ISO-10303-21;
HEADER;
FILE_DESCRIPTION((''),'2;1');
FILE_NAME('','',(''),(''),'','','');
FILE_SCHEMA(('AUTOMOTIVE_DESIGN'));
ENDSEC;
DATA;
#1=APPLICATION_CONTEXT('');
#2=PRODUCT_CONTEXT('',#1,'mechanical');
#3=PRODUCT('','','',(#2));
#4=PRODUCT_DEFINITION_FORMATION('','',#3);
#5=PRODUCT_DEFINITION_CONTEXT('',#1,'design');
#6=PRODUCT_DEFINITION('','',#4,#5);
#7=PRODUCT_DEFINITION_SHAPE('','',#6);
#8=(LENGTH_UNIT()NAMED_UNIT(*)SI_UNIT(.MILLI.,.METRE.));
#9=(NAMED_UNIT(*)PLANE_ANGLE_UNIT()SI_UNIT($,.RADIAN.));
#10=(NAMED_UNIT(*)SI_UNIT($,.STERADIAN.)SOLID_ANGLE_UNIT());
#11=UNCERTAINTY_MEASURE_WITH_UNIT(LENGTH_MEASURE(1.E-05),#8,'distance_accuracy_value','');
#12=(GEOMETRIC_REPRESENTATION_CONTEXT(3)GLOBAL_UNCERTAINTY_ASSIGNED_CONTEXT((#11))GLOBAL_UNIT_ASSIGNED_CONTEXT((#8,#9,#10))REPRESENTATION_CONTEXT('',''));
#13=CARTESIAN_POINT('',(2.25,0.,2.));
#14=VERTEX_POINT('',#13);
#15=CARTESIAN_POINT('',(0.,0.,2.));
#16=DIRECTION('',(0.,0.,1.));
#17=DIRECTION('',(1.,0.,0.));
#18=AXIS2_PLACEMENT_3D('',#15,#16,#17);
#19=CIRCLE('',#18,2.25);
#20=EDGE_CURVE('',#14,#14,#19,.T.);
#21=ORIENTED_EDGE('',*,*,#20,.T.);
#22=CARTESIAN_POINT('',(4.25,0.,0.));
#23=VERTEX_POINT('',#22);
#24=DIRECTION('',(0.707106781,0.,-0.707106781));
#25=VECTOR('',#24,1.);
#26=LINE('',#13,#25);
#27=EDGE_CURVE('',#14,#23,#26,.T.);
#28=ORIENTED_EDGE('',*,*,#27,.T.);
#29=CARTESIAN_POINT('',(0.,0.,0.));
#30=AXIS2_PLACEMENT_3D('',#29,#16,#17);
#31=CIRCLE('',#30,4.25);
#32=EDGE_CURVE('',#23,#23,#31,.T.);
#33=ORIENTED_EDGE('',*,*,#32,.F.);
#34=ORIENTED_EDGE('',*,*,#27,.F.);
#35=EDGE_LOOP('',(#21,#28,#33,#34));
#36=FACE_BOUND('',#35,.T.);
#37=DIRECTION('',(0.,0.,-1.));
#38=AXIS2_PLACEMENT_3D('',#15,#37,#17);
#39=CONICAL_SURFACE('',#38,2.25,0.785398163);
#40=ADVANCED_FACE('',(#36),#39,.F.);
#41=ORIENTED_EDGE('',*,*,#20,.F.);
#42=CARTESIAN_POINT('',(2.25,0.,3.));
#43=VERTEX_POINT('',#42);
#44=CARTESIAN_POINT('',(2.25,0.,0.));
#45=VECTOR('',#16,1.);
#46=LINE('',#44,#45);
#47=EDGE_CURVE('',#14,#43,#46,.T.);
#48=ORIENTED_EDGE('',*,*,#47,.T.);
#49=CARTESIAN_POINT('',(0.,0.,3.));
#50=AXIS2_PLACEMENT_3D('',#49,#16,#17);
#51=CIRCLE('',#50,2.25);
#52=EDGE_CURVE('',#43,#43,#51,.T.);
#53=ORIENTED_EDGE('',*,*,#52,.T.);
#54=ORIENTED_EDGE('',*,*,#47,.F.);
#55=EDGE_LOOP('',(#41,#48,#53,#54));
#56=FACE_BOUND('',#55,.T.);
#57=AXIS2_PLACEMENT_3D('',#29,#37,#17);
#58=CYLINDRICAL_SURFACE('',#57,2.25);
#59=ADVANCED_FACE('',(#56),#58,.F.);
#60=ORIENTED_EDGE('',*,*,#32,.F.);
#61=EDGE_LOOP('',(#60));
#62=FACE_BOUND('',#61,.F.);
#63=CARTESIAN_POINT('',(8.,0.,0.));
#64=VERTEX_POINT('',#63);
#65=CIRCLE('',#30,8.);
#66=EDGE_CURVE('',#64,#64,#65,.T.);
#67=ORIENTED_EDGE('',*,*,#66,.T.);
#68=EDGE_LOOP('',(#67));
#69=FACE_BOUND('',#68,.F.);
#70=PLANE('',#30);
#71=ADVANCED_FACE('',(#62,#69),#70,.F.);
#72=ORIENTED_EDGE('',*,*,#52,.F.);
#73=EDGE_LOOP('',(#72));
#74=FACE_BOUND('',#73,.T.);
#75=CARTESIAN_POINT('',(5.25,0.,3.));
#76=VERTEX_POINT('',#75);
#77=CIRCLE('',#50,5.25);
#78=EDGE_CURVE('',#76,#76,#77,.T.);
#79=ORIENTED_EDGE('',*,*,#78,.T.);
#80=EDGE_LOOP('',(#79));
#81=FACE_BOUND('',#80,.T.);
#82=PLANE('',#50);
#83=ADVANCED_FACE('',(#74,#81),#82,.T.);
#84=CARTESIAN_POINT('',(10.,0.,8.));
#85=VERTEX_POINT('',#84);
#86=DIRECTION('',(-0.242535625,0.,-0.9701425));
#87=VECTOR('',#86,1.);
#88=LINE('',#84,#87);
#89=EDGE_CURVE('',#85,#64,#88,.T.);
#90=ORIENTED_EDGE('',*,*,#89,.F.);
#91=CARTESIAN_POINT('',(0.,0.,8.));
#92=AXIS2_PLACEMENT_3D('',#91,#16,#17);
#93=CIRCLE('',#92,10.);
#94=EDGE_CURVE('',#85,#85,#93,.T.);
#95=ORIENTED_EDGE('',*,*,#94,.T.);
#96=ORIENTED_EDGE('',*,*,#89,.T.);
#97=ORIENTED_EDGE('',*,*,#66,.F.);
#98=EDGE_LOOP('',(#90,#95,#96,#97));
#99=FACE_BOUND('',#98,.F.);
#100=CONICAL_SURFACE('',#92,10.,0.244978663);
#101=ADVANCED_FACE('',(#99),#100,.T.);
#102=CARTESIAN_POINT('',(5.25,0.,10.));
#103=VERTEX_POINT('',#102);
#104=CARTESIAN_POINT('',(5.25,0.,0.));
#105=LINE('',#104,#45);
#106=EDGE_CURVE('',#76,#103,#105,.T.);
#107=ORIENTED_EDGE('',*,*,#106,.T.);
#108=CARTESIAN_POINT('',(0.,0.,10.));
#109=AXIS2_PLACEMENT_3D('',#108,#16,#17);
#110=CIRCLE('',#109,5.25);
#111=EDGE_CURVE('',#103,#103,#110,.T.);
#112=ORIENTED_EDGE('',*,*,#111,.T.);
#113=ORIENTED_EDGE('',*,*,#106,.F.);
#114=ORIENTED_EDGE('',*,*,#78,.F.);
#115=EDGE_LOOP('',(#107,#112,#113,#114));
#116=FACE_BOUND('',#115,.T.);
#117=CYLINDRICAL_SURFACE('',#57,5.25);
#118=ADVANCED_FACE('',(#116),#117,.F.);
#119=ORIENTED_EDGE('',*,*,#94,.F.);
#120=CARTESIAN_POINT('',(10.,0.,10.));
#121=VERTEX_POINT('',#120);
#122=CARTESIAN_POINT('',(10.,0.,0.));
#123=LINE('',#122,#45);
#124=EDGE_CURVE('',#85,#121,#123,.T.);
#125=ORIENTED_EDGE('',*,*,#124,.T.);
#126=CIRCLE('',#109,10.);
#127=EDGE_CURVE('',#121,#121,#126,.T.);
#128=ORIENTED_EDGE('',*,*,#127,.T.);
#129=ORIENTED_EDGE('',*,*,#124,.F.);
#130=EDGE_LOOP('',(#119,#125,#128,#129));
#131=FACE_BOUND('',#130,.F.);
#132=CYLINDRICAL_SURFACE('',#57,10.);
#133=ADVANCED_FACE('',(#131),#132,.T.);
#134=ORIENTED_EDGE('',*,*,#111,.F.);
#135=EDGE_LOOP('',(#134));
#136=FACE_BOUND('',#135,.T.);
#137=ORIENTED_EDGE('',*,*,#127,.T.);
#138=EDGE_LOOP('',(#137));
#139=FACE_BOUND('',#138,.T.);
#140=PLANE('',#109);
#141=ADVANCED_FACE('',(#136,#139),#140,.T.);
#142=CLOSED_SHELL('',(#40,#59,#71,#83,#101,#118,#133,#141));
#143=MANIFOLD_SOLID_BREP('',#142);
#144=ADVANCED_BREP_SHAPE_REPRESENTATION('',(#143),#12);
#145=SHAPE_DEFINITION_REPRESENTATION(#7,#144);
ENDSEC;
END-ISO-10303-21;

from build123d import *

# Parameters (mm, degrees)
F0_R     = 10
F0_R_2   = 5.25
F1_DEPTH = 10
F2_R     = 5.25
F2_R_2   = 2.25
F3_DEPTH = 3
F4_SIZE  = 2
F5_SIZE2 = 2
F5_SIZE  = 8


with BuildPart() as f1:
    # F0 (on Top) → F1 (new body)
    with BuildSketch(Plane.XY):
        Circle(F0_R)
        Circle(F0_R_2, mode=Mode.SUBTRACT)
    extrude(amount=F1_DEPTH)

    # F2 (on Top) → F3 (join)
    with BuildSketch(Plane.XY):
        Circle(F2_R)
        Circle(F2_R_2, mode=Mode.SUBTRACT)
    extrude(amount=F3_DEPTH)

    # F4
    f4_edges = [f1.edges().sort_by_distance(p)[0] for p in [
        (-2.25, 0, 0),
    ]]
    chamfer(f4_edges, length=F4_SIZE)

    # F5
    f5_edges = [f1.edges().sort_by_distance(p)[0] for p in [
        (-10, 0, 0),
    ]]
    f5_side = f1.faces().sort_by_distance((-10, 0, 5))[0]
    chamfer(f5_edges, length=F5_SIZE, length2=F5_SIZE2, reference=f5_side)


solid = f1.part
